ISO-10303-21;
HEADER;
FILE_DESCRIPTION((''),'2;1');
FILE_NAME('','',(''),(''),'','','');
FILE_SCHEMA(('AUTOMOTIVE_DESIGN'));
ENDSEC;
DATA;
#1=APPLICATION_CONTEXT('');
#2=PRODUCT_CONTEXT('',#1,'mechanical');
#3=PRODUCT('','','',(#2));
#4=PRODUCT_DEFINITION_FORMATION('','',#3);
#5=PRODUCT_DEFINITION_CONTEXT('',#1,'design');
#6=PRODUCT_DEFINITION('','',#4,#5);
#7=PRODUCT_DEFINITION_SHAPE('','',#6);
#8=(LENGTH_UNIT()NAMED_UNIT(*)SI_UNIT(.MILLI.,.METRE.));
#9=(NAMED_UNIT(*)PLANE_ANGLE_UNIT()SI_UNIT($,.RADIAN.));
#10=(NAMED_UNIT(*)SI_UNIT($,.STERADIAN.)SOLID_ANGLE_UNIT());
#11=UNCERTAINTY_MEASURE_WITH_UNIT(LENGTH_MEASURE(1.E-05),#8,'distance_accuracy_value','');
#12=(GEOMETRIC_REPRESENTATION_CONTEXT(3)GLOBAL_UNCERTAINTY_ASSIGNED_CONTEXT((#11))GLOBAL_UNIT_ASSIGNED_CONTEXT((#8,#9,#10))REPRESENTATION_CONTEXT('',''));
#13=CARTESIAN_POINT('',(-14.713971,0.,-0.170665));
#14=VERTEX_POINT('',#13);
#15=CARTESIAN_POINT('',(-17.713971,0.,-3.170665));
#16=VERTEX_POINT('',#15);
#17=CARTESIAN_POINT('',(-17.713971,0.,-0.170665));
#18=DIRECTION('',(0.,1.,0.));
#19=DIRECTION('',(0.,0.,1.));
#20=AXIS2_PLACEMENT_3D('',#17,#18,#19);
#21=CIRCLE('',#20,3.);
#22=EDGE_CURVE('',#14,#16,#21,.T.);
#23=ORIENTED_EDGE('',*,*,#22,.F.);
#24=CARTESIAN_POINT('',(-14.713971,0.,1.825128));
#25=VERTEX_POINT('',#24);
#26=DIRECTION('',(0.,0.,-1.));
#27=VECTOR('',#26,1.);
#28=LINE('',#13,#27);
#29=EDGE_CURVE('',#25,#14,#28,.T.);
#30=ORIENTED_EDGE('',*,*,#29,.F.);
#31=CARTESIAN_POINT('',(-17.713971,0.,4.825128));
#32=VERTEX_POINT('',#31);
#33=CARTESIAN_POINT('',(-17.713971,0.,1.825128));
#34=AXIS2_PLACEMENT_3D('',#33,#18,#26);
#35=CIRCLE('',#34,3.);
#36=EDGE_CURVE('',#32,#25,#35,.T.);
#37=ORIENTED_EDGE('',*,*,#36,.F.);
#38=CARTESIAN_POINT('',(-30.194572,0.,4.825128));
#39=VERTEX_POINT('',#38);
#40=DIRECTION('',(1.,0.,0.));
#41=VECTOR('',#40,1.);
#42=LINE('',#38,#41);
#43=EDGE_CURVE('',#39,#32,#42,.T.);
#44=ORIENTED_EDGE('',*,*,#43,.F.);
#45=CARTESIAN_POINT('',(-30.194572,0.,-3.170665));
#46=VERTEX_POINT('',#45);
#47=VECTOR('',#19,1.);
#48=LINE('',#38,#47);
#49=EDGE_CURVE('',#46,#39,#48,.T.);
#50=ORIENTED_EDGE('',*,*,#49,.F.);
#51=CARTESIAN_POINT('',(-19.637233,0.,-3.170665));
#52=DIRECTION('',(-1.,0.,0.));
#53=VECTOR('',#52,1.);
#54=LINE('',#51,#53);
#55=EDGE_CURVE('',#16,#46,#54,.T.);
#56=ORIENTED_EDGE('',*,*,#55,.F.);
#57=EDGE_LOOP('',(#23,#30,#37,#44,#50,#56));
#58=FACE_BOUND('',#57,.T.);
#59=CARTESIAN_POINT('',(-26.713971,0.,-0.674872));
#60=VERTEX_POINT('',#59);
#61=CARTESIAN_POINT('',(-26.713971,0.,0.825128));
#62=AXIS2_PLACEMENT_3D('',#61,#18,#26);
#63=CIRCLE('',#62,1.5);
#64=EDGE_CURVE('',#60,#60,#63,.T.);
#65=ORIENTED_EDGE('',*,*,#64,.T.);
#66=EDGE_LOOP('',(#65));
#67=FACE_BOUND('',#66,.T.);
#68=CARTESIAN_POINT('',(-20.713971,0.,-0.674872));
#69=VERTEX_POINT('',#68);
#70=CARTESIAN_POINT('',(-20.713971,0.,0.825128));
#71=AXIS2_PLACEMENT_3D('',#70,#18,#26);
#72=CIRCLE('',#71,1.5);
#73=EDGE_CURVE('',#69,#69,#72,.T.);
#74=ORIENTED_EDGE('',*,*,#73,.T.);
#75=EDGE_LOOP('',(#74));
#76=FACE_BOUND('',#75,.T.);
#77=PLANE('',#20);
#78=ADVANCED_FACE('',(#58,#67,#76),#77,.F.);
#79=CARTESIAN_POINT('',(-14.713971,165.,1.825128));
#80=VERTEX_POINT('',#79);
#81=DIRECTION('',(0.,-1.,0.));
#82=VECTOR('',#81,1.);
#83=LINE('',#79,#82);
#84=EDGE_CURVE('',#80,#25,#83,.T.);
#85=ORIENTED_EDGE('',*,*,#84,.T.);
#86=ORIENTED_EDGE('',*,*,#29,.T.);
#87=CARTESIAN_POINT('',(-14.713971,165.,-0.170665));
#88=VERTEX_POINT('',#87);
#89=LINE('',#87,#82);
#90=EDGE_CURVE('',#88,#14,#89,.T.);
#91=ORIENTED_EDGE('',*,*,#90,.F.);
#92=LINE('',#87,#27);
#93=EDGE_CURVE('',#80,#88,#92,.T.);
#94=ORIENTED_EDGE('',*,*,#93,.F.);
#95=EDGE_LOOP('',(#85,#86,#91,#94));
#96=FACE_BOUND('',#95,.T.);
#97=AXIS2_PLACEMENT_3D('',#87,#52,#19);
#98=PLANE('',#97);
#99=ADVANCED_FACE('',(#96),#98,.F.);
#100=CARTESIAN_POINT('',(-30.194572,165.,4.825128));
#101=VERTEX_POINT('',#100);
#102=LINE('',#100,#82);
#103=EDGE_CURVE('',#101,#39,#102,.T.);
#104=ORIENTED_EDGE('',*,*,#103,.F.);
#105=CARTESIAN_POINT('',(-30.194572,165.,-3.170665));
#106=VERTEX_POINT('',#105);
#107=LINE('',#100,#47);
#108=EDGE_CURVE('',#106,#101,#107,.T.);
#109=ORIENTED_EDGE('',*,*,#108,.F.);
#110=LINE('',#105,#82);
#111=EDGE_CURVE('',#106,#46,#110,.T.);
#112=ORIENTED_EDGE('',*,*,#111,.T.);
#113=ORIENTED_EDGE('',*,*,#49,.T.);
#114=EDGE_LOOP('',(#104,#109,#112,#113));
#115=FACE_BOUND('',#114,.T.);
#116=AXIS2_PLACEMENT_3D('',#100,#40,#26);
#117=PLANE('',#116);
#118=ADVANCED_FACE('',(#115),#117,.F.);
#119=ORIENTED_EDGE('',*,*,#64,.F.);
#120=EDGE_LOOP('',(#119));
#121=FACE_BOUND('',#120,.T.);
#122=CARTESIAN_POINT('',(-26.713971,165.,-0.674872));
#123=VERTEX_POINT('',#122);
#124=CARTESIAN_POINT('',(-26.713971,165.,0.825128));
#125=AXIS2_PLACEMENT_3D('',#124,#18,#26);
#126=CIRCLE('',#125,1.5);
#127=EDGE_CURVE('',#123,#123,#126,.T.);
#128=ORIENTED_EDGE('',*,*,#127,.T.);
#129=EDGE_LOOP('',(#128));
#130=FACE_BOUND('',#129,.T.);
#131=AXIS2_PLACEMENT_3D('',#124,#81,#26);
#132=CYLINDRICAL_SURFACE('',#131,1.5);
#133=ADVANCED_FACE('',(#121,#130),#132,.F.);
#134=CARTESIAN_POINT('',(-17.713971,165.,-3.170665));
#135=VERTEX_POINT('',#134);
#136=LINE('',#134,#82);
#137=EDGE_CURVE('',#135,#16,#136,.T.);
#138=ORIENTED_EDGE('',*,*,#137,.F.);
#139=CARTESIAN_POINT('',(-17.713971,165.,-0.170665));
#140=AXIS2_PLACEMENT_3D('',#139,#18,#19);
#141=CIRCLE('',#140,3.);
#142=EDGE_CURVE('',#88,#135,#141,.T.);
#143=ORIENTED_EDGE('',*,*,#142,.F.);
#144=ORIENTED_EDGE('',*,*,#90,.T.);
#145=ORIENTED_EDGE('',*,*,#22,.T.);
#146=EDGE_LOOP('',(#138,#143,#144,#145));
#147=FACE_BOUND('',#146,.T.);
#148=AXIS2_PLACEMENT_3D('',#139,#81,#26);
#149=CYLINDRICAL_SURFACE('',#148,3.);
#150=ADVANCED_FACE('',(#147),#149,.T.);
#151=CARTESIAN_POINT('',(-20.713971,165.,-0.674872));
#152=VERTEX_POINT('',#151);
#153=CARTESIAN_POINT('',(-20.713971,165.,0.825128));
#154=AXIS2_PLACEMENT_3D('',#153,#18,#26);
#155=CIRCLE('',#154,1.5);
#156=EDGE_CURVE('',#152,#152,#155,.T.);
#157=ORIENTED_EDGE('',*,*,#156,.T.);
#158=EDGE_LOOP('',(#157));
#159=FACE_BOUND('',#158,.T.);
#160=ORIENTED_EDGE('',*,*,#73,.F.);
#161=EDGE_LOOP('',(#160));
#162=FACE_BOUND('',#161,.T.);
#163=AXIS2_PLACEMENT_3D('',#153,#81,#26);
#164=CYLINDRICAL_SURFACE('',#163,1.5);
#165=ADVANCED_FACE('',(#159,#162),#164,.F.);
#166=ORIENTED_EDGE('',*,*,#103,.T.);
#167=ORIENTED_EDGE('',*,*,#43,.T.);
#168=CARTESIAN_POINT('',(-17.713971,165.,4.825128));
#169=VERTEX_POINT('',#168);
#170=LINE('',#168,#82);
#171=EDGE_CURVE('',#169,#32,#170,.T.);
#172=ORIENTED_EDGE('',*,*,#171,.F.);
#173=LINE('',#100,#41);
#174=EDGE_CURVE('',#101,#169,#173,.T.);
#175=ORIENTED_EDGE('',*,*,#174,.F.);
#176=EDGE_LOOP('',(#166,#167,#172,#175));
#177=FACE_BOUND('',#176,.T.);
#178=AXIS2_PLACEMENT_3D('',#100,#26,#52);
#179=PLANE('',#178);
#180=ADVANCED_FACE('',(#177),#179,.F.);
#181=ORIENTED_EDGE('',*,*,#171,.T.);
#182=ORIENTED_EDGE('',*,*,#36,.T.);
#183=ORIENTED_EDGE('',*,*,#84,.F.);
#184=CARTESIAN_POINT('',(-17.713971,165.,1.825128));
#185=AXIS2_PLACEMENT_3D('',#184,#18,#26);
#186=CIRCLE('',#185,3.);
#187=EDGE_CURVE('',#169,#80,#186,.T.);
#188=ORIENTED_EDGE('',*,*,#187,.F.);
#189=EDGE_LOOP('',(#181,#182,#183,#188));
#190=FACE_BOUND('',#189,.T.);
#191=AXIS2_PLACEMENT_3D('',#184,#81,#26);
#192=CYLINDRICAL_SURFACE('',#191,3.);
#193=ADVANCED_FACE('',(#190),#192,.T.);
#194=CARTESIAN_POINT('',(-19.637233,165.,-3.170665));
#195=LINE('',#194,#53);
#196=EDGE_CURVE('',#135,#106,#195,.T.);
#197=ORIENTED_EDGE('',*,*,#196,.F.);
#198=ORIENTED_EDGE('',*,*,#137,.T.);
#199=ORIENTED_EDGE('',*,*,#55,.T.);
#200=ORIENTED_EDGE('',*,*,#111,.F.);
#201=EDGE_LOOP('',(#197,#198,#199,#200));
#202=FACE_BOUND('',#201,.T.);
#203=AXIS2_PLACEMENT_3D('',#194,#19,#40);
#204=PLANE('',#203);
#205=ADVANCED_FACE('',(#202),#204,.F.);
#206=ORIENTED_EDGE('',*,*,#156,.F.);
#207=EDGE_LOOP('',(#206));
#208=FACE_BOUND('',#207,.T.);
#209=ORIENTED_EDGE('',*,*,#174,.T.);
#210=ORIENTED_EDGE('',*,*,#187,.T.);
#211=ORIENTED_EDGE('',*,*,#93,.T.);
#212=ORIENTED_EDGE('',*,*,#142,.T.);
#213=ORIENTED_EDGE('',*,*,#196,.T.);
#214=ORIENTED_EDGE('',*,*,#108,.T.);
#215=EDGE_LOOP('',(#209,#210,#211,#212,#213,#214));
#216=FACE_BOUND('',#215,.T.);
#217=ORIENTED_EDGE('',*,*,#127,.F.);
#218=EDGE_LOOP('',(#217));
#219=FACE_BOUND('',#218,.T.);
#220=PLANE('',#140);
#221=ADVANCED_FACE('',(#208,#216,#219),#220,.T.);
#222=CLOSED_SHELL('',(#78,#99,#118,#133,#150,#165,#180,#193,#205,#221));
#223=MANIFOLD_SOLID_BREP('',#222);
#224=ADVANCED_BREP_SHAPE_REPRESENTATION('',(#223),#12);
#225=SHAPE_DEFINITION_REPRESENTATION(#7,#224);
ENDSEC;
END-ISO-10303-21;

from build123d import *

# Parameters (mm, degrees)
SKETCH1_R           = 1.5
BOSS_EXTRUDE1_DEPTH = 165


with BuildPart() as part:
    # Sketch1 → Boss-Extrude1 (new body)
    with BuildSketch(Plane(origin=(0, 0, 0), x_dir=(1, 0, 0), z_dir=(0, 1, 0))):
        with BuildLine():
            Line((-30.194572404, -4.825127674), (-30.194572404, 3.170664552))
            Line((-30.194572404, 3.170664552), (-19.637232632, 3.170664552))
            Line((-19.637232632, 3.170664552), (-17.713971419, 3.170664552))
            ThreePointArc((-17.713971419, 3.170664552), (-15.592651075, 2.291984895), (-14.713971419, 0.170664552))
            Line((-14.713971419, 0.170664552), (-14.713971419, -1.825127674))
            ThreePointArc((-14.713971419, -1.825127674), (-15.592651075, -3.946448018), (-17.713971419, -4.825127674))
            Line((-17.713971419, -4.825127674), (-30.194572404, -4.825127674))
        make_face()
        with Locations((-20.713971419, -0.825127674)):
            Circle(SKETCH1_R, mode=Mode.SUBTRACT)
        with Locations((-26.713971419, -0.825127674)):
            Circle(SKETCH1_R, mode=Mode.SUBTRACT)
    extrude(amount=BOSS_EXTRUDE1_DEPTH)


solid = part.part
